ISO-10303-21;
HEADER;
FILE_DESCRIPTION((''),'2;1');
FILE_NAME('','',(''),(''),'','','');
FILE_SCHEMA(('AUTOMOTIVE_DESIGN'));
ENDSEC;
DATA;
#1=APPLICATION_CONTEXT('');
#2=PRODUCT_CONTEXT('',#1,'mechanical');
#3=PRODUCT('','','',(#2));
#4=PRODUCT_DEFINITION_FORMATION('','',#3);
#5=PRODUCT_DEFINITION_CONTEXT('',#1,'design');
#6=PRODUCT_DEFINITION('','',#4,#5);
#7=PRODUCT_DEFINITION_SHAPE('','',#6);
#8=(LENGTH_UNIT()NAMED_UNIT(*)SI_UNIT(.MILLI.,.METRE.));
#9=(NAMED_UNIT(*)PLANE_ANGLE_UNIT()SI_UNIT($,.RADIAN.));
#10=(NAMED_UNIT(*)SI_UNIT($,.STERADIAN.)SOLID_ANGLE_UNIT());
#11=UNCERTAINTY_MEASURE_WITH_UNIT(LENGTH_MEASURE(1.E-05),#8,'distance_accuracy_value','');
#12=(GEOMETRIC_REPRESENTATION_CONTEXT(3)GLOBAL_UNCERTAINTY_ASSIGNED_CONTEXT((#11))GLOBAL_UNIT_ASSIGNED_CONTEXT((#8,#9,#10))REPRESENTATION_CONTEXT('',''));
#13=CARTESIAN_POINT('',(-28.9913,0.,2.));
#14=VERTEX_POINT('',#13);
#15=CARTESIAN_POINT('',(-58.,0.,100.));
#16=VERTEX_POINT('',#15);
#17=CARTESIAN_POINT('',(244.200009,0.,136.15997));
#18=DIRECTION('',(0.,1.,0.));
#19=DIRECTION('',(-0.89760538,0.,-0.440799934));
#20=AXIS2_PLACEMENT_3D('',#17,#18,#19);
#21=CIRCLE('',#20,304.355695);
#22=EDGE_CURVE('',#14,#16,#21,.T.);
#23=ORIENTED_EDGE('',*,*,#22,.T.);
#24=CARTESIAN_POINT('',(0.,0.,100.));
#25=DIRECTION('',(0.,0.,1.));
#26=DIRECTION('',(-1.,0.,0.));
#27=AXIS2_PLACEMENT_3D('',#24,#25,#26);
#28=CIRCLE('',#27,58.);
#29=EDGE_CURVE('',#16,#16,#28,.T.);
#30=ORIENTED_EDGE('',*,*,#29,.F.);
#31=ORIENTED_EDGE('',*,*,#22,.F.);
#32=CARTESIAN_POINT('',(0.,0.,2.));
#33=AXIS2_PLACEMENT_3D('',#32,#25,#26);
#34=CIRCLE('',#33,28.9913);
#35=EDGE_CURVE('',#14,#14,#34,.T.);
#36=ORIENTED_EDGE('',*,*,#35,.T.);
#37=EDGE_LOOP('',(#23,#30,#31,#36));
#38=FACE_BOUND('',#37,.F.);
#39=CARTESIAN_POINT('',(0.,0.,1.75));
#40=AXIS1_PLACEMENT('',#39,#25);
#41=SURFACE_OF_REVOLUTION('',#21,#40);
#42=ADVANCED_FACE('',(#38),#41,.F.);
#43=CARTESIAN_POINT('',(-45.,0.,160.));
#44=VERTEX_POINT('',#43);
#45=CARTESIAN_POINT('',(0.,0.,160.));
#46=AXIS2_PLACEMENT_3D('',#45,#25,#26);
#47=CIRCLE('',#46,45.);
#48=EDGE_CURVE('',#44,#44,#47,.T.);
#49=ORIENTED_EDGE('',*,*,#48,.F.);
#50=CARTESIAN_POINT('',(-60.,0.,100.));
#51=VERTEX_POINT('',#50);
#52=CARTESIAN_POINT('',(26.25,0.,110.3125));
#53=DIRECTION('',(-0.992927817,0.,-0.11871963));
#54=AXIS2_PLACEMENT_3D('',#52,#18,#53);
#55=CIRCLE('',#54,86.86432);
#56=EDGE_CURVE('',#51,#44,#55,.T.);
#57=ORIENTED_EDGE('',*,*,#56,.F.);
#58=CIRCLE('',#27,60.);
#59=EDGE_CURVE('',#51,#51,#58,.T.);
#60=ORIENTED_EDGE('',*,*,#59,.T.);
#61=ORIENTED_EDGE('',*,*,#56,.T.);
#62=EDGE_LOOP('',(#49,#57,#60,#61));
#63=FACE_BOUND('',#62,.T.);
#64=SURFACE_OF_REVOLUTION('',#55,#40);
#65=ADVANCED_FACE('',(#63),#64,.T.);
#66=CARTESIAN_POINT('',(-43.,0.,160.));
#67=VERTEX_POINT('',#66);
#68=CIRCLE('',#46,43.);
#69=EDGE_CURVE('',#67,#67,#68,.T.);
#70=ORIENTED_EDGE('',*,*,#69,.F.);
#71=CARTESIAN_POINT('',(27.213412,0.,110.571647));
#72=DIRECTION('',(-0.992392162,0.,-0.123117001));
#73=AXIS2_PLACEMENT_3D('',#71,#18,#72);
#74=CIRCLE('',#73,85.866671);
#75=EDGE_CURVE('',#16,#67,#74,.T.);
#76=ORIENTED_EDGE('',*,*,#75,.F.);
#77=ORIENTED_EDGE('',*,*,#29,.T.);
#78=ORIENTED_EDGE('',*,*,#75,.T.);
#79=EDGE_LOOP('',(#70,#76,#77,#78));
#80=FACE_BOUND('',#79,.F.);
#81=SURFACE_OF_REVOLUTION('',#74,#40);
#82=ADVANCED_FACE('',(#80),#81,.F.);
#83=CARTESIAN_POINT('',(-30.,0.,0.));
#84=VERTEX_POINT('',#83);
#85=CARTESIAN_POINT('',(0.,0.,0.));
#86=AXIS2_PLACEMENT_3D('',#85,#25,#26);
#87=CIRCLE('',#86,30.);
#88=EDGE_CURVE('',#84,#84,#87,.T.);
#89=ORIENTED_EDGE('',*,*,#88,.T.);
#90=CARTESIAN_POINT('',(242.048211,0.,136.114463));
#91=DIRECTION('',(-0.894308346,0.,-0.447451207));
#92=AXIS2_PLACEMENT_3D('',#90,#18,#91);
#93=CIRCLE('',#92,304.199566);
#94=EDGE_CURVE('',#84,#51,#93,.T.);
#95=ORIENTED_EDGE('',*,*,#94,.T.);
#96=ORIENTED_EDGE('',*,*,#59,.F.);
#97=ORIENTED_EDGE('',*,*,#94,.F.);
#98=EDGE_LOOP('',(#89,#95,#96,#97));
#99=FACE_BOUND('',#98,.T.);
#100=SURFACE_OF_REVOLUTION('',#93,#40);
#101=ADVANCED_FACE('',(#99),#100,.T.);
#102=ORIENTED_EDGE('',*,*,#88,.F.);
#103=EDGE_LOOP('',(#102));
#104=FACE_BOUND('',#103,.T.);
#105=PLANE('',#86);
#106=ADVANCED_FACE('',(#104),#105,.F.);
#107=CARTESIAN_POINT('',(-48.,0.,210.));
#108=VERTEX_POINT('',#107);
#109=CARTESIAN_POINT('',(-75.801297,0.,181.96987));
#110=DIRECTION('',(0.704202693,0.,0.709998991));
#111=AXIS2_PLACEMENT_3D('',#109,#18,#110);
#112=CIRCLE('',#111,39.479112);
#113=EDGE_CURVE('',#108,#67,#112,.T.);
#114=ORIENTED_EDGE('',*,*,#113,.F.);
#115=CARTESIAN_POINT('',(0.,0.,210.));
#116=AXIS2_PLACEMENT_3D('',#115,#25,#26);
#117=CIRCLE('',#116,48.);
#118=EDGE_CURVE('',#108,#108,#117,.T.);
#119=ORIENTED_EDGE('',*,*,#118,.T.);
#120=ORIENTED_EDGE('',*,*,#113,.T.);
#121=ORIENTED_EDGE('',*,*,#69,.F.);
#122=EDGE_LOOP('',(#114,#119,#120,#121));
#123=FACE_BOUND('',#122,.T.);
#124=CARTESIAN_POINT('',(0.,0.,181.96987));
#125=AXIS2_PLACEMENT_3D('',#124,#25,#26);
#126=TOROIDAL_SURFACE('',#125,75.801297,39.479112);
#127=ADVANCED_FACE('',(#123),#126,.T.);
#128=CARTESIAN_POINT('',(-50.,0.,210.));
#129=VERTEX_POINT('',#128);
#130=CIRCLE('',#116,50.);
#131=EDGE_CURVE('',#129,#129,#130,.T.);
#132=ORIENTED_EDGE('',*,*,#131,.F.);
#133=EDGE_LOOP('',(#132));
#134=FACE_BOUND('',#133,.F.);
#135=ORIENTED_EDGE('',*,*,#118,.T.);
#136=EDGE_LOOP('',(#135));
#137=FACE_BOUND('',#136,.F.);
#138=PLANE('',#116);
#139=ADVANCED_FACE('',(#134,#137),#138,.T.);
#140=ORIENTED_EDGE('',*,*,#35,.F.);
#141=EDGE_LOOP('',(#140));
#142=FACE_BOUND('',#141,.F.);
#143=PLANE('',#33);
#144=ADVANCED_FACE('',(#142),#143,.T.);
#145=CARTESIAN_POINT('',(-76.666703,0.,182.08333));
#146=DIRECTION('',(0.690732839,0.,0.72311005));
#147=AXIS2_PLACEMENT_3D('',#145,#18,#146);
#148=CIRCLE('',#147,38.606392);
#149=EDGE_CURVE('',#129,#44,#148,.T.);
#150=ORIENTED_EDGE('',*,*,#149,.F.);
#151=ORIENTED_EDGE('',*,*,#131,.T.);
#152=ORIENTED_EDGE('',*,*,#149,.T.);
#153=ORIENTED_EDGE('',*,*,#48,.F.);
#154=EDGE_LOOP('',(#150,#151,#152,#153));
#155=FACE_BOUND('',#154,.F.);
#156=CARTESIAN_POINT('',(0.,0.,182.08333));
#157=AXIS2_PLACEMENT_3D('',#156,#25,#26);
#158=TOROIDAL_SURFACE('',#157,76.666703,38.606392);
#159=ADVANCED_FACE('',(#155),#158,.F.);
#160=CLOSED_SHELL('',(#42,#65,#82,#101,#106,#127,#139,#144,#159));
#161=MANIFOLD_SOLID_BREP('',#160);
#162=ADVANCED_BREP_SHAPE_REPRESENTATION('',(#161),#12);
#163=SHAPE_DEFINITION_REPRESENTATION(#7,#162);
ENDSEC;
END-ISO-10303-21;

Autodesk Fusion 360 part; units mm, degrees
sketch "Sketch1" plane through (0, 0, 0) normal (0, 1, 0) x (1, 0, 0)
  line L0 (0, 0) -> (-30, 0)
  line L1 (0, -100) -> (-60, -100)
  line L2 (0, -160) -> (-45, -160)
  line L3 (0, -210) -> (-50, -210)
  arc A0 (-50, -210) -> (-45, -160) centre (-76.6667, -182.0833) ccw
  arc A1 (-60, -100) -> (-45, -160) centre (26.25, -110.3125) ccw
  arc A2 (-30, 0) -> (-60, -100) centre (242.0482, -136.1145) ccw
  line L4 (0, -210) -> (-48, -210)
  line L5 (0, -160) -> (-43, -160)
  line L6 (0, -100) -> (-58, -100)
  line L7 (0, 0) -> (-28, 0)
  arc A3 (-28.9913, -2) -> (-58, -100) centre (244.2, -136.16) ccw
  arc A4 (-58, -100) -> (-43, -160) centre (27.2134, -110.5716) ccw
  arc A5 (-48, -210) -> (-43, -160) centre (-75.8013, -181.9699) ccw
  line L8 (0, 0) -> (0, -2)
  line L9 (0, -2) -> (-28.9913, -2)
  dimension "d1" = 30
  dimension "d2" = 100
  dimension "d3" = 60
  dimension "d4" = 60
  dimension "d5" = 45
  dimension "d6" = 50
  dimension "d7" = 50
  dimension "d9" = 48
  dimension "d10" = 43
  dimension "d11" = 58
  dimension "d12" = 28
revolve "Revolve1" add sketch "Sketch1" angle 360 about axis through (0, 0, 1.75) along (0, 0, 1) second angle 360
